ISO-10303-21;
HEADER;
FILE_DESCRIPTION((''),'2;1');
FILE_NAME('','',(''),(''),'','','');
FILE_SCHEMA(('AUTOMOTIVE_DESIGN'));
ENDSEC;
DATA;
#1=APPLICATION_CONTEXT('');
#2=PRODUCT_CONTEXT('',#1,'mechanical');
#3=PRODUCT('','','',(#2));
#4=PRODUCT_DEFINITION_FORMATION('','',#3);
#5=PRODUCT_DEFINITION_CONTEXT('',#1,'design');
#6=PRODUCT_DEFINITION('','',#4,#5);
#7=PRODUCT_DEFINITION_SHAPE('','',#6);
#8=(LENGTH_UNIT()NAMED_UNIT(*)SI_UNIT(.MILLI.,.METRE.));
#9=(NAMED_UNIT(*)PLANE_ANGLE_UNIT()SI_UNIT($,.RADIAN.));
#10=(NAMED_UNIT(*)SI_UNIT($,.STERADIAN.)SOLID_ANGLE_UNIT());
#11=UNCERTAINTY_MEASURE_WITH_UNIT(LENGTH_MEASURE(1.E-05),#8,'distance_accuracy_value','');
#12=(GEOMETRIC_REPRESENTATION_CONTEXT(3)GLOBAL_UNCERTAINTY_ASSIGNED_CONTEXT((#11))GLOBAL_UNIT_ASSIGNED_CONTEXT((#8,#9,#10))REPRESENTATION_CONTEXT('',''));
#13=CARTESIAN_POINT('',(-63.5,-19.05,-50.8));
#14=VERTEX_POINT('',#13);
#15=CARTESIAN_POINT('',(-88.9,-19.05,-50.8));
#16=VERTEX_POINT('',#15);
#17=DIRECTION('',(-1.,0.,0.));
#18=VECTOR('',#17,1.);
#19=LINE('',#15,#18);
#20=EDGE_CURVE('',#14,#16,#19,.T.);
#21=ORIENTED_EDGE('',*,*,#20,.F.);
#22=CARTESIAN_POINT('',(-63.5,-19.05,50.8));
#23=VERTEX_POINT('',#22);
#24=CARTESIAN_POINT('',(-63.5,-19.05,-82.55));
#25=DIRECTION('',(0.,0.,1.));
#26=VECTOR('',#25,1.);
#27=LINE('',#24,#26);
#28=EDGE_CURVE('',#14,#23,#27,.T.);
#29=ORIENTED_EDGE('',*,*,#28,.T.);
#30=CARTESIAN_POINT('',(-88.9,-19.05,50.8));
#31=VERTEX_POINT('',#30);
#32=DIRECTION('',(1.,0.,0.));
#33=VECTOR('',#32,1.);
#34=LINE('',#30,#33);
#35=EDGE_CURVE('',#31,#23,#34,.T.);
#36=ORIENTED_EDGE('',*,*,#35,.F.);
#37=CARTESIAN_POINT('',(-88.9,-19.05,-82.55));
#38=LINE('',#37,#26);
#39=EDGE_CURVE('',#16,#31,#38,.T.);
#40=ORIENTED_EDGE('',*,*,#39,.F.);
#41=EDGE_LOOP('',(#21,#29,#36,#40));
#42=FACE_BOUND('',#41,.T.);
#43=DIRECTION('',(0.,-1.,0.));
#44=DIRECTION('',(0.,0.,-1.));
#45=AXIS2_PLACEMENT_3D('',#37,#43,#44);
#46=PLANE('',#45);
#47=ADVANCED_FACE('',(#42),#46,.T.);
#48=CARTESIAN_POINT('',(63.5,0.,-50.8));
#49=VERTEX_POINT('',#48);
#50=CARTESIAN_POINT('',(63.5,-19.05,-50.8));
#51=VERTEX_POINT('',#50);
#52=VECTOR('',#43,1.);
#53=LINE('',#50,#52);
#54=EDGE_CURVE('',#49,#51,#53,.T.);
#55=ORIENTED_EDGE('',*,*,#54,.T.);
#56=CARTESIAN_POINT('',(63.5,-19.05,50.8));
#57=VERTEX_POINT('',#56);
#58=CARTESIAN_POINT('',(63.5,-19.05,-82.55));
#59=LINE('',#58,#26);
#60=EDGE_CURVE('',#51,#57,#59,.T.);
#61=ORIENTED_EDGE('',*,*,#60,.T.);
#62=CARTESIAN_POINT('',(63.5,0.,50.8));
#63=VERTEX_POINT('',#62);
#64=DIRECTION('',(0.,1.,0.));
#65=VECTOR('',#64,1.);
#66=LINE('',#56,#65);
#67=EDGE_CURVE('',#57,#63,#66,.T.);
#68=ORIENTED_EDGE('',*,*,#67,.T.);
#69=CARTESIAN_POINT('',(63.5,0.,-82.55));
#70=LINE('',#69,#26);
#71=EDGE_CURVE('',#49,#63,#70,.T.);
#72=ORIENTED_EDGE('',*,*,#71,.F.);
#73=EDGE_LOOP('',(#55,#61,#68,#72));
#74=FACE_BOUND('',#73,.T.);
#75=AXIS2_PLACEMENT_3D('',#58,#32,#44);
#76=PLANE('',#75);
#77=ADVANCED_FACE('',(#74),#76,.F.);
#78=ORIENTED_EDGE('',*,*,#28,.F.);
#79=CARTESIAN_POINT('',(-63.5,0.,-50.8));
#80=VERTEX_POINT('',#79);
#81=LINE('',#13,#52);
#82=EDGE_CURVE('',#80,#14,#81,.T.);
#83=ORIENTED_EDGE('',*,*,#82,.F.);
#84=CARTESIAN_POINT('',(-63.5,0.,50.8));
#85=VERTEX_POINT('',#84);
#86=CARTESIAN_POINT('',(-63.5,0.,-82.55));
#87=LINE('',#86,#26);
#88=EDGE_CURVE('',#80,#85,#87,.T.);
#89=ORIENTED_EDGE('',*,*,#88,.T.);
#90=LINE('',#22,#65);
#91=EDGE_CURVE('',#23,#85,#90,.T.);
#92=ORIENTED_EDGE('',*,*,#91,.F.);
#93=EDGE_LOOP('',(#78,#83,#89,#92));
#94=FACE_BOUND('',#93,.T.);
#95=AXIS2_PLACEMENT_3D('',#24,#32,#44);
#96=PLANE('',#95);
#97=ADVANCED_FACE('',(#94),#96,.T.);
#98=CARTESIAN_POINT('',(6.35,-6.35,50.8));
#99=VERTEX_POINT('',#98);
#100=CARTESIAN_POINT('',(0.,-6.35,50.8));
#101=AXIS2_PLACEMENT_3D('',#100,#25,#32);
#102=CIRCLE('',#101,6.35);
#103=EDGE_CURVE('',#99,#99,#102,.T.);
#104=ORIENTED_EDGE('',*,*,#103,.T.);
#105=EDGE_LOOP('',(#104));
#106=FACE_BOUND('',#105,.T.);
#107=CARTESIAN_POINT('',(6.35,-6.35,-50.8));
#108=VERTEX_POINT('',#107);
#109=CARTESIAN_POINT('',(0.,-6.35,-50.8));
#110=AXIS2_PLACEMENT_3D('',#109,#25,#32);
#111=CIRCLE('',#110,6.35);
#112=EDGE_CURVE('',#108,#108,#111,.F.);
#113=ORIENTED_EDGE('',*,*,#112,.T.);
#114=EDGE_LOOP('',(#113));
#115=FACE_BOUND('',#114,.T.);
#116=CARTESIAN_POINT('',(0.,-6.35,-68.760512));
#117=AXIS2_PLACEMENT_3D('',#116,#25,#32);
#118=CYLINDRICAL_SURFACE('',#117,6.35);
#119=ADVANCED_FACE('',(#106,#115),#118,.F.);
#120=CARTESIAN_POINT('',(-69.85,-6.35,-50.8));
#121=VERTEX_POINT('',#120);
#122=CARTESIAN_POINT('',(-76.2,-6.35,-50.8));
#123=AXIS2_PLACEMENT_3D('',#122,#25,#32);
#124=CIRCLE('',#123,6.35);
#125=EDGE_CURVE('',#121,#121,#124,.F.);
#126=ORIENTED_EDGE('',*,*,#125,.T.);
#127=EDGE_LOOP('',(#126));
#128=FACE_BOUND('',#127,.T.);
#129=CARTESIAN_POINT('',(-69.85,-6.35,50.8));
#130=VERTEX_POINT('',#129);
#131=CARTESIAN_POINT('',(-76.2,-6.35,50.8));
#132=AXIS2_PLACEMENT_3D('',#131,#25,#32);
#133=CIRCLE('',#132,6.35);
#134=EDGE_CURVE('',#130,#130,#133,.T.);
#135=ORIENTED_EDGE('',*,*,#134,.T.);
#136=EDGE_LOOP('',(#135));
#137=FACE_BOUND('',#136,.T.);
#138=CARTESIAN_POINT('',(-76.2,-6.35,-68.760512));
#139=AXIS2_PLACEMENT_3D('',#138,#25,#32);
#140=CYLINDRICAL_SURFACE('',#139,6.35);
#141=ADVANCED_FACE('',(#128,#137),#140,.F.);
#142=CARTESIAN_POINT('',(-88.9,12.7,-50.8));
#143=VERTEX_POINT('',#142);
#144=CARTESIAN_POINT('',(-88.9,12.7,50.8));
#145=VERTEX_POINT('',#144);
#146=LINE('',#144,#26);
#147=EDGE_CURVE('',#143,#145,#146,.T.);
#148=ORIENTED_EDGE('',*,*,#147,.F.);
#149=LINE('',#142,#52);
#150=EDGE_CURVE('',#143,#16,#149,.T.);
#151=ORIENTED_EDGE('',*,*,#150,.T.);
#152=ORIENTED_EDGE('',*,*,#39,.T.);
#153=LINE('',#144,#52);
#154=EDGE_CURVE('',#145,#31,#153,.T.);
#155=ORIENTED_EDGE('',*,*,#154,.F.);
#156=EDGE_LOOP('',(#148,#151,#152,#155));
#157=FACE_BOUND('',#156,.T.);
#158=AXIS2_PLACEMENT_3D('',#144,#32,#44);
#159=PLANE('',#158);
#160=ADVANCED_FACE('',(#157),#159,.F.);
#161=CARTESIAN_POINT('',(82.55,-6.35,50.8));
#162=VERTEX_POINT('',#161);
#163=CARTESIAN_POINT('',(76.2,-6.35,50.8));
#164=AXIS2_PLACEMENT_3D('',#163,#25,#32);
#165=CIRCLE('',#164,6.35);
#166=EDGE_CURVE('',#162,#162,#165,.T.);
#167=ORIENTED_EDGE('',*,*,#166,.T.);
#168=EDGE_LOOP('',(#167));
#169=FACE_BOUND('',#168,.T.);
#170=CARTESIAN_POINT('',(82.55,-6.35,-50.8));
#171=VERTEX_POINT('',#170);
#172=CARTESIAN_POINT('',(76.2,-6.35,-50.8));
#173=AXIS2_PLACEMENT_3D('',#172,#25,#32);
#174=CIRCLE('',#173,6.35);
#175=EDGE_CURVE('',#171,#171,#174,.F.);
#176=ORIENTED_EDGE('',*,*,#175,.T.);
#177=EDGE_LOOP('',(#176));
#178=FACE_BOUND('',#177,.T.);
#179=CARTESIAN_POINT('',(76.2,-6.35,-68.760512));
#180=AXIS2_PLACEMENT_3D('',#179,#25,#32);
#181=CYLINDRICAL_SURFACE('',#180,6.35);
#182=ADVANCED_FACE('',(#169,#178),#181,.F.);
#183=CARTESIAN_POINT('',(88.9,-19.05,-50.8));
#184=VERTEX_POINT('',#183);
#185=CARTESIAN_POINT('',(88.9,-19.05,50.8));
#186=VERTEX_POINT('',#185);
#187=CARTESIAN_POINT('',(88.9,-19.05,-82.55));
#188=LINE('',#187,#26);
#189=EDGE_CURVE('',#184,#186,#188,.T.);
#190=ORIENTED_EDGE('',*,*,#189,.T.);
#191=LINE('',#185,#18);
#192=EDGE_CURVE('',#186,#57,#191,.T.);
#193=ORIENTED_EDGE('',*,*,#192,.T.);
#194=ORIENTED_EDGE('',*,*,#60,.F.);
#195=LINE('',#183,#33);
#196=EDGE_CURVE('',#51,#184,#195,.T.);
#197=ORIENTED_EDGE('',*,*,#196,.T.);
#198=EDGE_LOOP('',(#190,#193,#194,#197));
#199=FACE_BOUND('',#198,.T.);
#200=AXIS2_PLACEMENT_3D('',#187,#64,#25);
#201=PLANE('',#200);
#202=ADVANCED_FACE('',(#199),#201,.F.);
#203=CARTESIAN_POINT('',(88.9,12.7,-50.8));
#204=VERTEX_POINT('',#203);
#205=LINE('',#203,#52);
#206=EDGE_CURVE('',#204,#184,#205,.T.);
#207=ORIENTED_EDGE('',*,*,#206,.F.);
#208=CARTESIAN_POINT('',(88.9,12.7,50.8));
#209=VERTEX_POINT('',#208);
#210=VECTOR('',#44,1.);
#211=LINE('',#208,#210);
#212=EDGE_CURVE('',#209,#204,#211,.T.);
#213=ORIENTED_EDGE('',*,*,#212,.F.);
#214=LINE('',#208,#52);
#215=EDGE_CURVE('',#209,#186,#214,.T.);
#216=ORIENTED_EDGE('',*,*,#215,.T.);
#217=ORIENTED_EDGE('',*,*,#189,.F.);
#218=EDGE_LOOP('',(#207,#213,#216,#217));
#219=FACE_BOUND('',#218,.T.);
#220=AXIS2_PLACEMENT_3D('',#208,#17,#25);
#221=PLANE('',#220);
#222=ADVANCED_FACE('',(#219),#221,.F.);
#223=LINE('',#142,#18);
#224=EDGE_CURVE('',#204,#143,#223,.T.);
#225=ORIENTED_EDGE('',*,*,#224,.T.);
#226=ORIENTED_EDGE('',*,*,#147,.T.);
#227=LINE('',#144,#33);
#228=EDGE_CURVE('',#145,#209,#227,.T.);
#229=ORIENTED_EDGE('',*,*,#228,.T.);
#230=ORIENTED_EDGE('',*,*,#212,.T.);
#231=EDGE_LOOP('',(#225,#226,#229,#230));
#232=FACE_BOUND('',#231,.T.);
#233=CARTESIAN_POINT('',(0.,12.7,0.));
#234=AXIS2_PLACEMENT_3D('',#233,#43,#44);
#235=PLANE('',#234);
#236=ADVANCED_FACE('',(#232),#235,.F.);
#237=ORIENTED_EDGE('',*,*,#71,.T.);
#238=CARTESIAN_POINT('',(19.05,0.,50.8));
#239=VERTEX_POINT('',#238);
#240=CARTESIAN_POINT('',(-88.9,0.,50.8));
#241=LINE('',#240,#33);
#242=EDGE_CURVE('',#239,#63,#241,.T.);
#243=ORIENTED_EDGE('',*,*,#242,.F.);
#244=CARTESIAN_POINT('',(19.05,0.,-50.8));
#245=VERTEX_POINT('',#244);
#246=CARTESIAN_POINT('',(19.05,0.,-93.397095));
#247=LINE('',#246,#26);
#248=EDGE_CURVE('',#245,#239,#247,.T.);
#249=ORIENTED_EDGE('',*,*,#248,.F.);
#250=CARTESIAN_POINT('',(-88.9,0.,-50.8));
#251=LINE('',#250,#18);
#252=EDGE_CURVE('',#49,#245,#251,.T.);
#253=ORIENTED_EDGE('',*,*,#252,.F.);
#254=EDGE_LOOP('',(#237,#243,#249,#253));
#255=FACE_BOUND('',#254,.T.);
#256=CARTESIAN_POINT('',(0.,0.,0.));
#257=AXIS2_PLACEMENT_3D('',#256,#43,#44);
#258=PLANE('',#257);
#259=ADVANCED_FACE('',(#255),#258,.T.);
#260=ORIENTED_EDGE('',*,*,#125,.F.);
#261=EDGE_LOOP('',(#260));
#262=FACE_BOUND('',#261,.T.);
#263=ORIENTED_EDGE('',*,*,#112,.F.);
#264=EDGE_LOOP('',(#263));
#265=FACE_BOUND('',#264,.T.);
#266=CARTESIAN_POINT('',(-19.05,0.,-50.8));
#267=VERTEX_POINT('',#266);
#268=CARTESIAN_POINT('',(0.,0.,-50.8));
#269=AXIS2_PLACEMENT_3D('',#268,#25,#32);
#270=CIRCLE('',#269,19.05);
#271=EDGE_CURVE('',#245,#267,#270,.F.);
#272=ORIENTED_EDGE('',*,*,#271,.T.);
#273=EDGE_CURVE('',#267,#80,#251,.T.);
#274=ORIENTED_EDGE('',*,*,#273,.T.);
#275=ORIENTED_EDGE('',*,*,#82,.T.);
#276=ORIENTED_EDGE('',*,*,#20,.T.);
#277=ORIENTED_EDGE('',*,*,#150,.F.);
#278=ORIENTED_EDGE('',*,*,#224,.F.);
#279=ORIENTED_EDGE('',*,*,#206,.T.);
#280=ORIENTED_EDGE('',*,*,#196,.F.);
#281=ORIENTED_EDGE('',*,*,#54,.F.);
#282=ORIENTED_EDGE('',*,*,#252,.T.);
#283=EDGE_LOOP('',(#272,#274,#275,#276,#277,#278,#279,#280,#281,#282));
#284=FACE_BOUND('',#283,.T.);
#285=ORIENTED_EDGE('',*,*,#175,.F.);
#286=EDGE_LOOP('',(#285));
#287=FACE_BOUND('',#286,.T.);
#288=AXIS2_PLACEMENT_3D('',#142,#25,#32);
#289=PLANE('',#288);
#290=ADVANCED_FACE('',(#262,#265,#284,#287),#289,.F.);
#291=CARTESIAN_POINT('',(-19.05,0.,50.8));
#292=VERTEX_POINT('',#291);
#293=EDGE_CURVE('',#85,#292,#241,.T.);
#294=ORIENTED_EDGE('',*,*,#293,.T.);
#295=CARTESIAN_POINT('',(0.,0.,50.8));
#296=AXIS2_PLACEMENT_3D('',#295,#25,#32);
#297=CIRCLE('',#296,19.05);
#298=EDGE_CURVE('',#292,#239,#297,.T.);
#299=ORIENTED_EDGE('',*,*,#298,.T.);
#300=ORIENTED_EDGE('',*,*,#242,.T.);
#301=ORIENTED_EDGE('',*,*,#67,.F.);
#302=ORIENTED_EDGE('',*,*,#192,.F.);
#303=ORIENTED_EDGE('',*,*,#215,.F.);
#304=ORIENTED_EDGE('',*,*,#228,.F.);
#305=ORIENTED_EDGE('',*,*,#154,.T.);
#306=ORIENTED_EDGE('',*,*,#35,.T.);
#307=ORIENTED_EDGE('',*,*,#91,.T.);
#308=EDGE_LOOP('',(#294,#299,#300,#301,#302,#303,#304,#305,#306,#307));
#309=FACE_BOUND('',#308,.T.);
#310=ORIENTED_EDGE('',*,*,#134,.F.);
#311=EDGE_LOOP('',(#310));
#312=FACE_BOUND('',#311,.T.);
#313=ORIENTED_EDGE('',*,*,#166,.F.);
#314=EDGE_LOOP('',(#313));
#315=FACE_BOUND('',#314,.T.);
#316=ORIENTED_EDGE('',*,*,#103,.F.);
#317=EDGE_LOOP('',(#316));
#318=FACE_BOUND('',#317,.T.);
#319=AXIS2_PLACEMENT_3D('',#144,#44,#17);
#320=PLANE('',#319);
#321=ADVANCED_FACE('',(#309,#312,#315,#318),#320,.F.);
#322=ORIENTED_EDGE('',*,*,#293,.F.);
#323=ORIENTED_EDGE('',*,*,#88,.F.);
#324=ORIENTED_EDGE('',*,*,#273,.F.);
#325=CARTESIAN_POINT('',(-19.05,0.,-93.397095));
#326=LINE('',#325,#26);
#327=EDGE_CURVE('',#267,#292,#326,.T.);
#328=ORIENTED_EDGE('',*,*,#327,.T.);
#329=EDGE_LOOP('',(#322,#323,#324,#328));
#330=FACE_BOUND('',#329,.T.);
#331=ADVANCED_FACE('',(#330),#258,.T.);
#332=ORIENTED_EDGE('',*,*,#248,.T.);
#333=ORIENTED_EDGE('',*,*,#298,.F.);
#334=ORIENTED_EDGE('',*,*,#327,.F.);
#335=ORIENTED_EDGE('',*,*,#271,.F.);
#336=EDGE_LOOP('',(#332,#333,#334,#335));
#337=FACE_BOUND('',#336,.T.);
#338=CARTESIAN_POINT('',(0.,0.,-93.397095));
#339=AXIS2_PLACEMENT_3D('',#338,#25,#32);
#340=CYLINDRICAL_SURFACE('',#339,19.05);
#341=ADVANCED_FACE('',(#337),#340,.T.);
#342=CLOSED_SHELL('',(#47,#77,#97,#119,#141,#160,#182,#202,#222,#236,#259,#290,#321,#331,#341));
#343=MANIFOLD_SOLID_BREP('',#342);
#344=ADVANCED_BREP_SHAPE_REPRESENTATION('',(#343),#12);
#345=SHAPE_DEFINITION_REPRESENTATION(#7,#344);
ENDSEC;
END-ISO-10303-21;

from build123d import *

# Parameters (mm, degrees)
SKETCH1_W           = 177.8
SKETCH1_H           = 101.6
BOSS_EXTRUDE1_DEPTH = 12.7
BOSS_EXTRUDE2_DEPTH = 101.6
SKETCH3_R           = 6.35
CUT_EXTRUDE1_DEPTH  = 101.6
SKETCH4_W           = 25.4
SKETCH4_H           = 19.05
BOSS_EXTRUDE3_DEPTH = 101.6
SKETCH5_R           = 6.35
CUT_EXTRUDE2_DEPTH  = 101.6


with BuildPart() as part:
    # Sketch1 → Boss-Extrude1 (new body)
    with BuildSketch(Plane(origin=(0, 0, 0), x_dir=(1, 0, 0), z_dir=(0, 1, 0))):
        Rectangle(SKETCH1_W, SKETCH1_H)
    extrude(amount=BOSS_EXTRUDE1_DEPTH)

    # Sketch2 → Boss-Extrude2 (add)
    with BuildSketch(Plane.XY.offset(50.8)):
        with BuildLine():
            Line((-19.05, 0), (19.05, 0))
            ThreePointArc((19.05, 0), (0, -19.05), (-19.05, 0))
        make_face()
    extrude(amount=-BOSS_EXTRUDE2_DEPTH)

    # Sketch3 → Cut-Extrude1 (cut)
    with BuildSketch(Plane.XY.offset(50.8)):
        with Locations((0, -6.35)):
            Circle(SKETCH3_R)
    extrude(amount=-CUT_EXTRUDE1_DEPTH, mode=Mode.SUBTRACT)

    # Sketch4 → Boss-Extrude3 (add)
    with BuildSketch(Plane.XY.offset(50.8)):
        with Locations((-76.2, -9.525)):
            Rectangle(SKETCH4_W, SKETCH4_H)
    boss_extrude3 = extrude(amount=-BOSS_EXTRUDE3_DEPTH)

    # Mirror1: Boss-Extrude3 across plane
    add(boss_extrude3.mirror(Plane(origin=(0, 0, 0), x_dir=(0, 0, 1), z_dir=(1, 0, 0))))

    # Sketch5 → Cut-Extrude2 (cut)
    with BuildSketch(Plane.XY.offset(50.8)):
        with Locations((-76.2, -6.35)):
            Circle(SKETCH5_R)
        with Locations((76.2, -6.35)):
            Circle(SKETCH5_R)
    extrude(amount=-CUT_EXTRUDE2_DEPTH, mode=Mode.SUBTRACT)


solid = part.part
